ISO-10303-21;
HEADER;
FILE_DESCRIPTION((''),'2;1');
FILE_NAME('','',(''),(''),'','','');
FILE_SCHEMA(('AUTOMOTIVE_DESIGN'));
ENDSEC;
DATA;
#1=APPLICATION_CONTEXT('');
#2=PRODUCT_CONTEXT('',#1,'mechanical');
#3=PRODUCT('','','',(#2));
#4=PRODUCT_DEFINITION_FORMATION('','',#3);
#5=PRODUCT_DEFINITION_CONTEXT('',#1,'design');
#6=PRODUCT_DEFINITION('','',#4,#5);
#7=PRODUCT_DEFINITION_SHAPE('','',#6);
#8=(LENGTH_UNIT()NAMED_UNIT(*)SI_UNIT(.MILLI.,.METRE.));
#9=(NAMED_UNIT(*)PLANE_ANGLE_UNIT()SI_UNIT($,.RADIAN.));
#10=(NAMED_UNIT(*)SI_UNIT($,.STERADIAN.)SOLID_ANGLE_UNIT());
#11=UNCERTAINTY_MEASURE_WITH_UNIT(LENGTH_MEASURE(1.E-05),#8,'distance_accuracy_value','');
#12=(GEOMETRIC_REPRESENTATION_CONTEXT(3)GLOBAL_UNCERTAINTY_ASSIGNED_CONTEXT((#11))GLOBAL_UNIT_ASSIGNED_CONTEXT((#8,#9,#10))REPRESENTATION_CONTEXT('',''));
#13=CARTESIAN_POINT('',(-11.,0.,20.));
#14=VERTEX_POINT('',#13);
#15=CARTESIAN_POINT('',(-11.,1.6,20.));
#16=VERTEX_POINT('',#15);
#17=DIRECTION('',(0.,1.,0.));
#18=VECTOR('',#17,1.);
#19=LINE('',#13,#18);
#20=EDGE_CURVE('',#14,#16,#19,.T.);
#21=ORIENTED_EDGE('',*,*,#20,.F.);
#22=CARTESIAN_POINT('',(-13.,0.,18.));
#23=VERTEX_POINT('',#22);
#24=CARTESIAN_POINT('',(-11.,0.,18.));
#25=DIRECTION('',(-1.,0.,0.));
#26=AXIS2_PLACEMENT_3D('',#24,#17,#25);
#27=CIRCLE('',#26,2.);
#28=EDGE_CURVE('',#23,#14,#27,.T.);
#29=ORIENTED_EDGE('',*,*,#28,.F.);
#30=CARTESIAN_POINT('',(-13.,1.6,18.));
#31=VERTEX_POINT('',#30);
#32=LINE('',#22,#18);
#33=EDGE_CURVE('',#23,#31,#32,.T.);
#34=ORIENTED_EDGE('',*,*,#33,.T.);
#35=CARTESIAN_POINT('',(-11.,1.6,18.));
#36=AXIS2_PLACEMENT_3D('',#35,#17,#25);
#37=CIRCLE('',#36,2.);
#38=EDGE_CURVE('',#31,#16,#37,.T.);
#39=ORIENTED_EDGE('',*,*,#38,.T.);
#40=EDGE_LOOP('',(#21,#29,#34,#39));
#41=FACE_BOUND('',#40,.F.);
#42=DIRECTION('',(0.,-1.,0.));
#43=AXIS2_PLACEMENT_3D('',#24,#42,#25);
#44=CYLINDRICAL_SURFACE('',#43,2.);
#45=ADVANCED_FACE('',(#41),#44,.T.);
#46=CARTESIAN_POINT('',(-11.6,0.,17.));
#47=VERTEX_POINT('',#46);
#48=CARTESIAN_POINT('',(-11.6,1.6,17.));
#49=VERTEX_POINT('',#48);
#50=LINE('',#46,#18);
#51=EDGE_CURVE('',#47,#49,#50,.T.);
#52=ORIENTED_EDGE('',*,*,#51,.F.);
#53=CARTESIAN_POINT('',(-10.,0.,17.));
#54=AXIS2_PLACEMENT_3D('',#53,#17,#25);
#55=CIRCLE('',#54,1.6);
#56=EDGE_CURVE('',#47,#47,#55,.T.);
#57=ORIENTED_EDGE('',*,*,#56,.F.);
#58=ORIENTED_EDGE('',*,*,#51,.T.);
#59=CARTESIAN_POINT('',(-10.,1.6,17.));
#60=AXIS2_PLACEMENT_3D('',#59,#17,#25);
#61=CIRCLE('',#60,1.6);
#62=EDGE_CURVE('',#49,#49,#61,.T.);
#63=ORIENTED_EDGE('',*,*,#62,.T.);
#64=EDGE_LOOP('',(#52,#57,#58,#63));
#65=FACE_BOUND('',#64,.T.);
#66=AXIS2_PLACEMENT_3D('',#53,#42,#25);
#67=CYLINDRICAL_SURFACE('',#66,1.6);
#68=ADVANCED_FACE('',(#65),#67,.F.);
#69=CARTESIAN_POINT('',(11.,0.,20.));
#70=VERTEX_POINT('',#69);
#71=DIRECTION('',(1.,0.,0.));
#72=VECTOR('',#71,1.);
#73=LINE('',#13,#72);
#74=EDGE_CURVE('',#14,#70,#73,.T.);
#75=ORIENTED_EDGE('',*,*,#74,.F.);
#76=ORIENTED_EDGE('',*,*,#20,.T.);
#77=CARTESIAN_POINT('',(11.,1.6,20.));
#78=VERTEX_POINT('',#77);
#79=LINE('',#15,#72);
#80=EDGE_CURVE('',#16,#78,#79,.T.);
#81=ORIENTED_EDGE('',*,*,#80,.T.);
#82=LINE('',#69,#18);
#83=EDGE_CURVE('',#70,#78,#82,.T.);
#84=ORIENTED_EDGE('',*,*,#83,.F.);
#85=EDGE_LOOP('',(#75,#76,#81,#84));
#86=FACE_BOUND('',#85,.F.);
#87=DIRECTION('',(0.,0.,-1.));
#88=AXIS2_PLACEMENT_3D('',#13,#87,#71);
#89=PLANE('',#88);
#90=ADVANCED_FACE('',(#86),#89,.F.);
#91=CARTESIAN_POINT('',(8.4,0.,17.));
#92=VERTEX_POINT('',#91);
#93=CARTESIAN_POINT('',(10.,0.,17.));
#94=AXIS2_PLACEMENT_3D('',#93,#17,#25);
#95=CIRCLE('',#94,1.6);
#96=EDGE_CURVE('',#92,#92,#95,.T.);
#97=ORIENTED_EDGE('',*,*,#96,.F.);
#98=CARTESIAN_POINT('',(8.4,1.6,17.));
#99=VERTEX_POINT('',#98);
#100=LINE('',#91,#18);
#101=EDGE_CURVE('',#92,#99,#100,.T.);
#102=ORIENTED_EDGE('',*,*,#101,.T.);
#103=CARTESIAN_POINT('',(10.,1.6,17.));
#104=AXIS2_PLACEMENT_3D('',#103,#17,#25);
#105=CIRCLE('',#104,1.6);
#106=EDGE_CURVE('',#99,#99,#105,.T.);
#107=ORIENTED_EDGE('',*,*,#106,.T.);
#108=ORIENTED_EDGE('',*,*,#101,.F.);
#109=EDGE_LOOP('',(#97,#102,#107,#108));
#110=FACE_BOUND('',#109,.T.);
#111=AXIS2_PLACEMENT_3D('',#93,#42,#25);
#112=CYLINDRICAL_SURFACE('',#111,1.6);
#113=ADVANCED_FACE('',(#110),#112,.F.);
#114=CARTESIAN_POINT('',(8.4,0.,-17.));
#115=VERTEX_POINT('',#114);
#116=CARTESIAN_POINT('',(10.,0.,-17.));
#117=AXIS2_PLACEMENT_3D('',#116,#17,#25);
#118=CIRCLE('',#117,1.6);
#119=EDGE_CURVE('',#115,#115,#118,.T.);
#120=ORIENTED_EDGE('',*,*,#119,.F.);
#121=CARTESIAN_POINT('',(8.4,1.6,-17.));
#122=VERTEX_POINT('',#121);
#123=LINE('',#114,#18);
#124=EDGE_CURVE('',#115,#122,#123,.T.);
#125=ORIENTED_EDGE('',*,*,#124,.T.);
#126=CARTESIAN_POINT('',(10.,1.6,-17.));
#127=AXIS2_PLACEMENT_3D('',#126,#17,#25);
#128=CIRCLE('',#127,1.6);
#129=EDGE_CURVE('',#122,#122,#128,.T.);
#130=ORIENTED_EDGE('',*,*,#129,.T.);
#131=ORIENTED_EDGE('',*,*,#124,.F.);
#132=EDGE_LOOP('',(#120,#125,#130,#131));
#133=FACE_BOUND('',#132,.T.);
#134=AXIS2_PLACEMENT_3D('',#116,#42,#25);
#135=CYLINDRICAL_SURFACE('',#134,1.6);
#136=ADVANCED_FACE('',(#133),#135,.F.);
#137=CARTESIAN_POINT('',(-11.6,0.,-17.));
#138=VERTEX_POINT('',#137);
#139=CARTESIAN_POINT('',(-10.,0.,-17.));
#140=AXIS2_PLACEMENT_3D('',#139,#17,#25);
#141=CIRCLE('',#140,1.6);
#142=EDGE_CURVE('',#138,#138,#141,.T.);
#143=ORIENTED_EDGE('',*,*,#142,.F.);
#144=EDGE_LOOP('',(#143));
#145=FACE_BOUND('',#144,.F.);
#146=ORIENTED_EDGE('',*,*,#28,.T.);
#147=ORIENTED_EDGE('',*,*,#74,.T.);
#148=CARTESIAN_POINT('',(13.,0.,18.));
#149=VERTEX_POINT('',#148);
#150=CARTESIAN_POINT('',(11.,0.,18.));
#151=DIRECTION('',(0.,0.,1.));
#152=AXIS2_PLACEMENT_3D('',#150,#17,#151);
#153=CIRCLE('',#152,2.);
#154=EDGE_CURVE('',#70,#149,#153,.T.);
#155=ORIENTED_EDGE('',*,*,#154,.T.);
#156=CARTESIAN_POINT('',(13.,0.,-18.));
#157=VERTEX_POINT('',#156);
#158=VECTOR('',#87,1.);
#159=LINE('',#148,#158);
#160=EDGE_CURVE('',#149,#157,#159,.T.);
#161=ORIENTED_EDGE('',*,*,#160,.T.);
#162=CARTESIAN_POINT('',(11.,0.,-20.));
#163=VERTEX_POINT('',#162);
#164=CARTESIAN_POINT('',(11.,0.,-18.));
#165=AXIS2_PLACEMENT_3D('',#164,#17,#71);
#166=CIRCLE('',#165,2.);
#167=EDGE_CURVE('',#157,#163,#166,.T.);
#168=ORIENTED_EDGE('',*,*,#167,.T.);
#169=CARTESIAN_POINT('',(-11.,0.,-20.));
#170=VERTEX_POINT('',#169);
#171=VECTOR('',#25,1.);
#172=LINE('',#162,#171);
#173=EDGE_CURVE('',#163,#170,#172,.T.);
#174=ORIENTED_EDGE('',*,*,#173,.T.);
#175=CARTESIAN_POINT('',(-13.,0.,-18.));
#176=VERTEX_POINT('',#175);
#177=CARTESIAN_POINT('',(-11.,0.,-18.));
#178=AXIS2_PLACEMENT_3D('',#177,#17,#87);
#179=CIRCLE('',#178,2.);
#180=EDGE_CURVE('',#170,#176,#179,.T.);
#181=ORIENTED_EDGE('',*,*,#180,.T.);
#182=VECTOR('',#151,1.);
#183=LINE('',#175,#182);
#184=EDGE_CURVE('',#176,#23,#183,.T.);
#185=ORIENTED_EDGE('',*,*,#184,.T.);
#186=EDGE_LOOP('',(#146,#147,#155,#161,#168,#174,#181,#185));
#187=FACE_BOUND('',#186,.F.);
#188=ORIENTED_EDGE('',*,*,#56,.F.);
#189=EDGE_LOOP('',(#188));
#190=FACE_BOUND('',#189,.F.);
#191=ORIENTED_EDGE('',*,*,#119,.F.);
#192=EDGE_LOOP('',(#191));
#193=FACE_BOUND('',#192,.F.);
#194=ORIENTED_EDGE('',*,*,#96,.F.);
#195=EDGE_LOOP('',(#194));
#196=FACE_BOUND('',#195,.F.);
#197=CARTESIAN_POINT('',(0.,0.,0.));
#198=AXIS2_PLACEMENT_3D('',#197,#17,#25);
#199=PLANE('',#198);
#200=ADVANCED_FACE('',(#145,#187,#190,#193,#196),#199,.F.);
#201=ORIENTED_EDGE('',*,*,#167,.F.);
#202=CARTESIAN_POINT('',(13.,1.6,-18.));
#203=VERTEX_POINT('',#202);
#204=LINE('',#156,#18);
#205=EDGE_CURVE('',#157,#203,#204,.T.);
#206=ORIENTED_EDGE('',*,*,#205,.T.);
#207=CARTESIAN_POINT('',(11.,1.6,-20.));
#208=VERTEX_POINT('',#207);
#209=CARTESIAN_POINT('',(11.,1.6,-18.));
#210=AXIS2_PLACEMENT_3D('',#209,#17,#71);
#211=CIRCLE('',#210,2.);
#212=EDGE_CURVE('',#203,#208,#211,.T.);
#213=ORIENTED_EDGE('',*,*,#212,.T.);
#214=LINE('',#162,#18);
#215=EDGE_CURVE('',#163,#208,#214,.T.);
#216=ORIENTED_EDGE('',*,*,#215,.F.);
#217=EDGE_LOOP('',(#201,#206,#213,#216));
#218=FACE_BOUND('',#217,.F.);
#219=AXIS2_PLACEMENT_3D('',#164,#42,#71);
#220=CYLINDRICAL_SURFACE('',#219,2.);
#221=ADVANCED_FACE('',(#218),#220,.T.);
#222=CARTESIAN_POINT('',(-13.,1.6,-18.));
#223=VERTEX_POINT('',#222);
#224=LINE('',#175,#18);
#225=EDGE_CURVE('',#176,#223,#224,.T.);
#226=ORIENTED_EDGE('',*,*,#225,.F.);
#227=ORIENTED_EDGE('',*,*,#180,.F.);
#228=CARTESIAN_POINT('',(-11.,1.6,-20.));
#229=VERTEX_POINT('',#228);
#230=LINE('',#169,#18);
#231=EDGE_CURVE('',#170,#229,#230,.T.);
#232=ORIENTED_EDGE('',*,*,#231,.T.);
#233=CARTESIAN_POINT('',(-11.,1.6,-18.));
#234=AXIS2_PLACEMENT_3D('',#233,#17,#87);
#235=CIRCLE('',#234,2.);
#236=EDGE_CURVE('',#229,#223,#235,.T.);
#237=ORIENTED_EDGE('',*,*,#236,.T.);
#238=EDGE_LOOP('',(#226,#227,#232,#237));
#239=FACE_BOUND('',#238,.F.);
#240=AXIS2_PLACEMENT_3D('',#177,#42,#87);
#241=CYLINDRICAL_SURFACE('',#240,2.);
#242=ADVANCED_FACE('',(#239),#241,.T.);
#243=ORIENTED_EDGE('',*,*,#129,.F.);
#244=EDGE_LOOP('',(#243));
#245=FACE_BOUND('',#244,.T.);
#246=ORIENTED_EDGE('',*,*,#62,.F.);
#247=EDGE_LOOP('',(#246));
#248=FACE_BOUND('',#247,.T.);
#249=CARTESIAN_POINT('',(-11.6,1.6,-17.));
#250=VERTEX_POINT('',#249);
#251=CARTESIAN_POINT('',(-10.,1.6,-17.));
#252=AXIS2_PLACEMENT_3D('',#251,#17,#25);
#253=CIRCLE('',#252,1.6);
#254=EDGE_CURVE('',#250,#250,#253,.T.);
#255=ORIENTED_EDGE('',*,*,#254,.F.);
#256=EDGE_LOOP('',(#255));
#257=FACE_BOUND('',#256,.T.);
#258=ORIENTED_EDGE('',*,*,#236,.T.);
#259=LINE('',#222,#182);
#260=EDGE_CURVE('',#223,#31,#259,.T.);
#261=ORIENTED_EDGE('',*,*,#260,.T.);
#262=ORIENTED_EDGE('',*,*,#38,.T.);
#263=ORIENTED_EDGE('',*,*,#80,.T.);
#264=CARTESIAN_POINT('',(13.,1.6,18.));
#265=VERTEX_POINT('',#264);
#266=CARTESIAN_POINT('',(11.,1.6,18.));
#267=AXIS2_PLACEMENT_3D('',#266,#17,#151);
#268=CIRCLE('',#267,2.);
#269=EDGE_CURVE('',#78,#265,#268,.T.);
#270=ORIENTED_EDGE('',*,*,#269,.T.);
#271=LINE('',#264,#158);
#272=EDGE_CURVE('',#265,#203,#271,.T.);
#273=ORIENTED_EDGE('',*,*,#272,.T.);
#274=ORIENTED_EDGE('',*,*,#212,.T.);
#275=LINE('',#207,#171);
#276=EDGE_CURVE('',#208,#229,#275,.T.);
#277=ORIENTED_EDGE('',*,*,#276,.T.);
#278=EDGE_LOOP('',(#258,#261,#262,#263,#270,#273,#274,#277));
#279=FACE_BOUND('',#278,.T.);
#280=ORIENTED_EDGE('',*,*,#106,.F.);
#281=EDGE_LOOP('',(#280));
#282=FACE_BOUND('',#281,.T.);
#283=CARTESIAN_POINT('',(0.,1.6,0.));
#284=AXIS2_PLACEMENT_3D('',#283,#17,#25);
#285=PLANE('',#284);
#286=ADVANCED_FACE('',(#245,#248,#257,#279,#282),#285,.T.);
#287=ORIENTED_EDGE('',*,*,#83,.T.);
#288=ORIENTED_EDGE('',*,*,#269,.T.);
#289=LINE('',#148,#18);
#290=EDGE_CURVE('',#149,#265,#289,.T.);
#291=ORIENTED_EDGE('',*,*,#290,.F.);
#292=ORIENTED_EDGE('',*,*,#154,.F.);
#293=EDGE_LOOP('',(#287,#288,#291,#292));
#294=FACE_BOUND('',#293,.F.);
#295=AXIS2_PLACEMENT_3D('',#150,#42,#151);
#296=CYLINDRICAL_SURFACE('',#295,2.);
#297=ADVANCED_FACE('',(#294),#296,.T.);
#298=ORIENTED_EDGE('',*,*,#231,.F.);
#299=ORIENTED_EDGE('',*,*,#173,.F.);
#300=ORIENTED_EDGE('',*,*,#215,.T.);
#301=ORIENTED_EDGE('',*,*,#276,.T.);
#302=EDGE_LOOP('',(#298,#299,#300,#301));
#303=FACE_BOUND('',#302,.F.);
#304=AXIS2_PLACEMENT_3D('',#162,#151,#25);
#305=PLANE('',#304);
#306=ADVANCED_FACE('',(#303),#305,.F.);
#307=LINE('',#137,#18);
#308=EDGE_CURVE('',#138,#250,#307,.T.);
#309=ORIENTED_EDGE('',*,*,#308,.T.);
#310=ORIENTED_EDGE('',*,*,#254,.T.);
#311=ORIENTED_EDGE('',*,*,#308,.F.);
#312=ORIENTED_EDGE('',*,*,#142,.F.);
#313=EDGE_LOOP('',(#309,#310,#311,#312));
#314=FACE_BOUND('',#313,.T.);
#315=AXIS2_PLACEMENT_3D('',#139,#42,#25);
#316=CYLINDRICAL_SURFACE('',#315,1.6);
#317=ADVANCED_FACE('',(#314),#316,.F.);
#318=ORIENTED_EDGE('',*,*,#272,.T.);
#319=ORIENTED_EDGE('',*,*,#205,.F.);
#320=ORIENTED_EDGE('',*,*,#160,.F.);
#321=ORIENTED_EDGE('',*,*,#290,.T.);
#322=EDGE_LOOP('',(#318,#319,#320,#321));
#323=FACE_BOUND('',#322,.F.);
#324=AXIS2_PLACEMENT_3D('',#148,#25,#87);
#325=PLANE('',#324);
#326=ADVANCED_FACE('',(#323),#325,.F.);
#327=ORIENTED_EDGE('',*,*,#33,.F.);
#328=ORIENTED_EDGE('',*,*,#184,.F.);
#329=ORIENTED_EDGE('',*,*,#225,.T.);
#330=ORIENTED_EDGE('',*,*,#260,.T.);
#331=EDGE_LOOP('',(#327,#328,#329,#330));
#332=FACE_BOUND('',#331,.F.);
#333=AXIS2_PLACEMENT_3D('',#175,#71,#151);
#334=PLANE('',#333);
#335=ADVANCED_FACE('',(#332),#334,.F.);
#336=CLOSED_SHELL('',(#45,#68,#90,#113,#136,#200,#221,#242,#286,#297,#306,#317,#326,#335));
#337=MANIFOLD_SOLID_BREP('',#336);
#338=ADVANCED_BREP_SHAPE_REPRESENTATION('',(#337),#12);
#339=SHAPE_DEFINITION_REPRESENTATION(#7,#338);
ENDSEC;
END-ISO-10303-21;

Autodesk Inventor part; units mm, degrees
ref_plane "YZ Plane" through (0, 0, 0) normal (1, 0, 0) x (0, 1, 0)
ref_plane "XZ Plane" through (0, 0, 0) normal (0, 1, 0) x (-1, 0, 0)
ref_plane "XY Plane" through (0, 0, 0) normal (0, 0, 1) x (1, 0, 0)
sketch "Sketch1" plane through (0, 0, 0) normal (0, 1, 0) x (-1, 0, 0)
  line L0 (-13, 18) -> (-13, -18)
  line L1 (-11, -20) -> (11, -20)
  line L2 (13, -18) -> (13, 18)
  line L3 (11, 20) -> (-11, 20)
  arc A0 (13, 18) -> (11, 20) centre (11, 18) ccw
  arc A1 (11, -20) -> (13, -18) centre (11, -18) ccw
  arc A2 (-13, -18) -> (-11, -20) centre (-11, -18) ccw
  arc A3 (-11, 20) -> (-13, 18) centre (-11, 18) ccw
  circle A4 centre (10, 17) radius 1.6
  circle A5 centre (-10, 17) radius 1.6
  circle A6 centre (10, -17) radius 1.6
  circle A7 centre (-10, -17) radius 1.6
  point P0 (13, 17)
  point P1 (-13, 17)
  point P2 (10, -20)
  point P3 (-10, -20)
  dimension "d8" = 3.2
  dimension "d11" = 3.2
  dimension "d16" = 3.2
  dimension "d17" = 3.2
extrude "Extrusion1" add sketch "Sketch1" along normal blind 1.6
properties part number "XBee mount"
